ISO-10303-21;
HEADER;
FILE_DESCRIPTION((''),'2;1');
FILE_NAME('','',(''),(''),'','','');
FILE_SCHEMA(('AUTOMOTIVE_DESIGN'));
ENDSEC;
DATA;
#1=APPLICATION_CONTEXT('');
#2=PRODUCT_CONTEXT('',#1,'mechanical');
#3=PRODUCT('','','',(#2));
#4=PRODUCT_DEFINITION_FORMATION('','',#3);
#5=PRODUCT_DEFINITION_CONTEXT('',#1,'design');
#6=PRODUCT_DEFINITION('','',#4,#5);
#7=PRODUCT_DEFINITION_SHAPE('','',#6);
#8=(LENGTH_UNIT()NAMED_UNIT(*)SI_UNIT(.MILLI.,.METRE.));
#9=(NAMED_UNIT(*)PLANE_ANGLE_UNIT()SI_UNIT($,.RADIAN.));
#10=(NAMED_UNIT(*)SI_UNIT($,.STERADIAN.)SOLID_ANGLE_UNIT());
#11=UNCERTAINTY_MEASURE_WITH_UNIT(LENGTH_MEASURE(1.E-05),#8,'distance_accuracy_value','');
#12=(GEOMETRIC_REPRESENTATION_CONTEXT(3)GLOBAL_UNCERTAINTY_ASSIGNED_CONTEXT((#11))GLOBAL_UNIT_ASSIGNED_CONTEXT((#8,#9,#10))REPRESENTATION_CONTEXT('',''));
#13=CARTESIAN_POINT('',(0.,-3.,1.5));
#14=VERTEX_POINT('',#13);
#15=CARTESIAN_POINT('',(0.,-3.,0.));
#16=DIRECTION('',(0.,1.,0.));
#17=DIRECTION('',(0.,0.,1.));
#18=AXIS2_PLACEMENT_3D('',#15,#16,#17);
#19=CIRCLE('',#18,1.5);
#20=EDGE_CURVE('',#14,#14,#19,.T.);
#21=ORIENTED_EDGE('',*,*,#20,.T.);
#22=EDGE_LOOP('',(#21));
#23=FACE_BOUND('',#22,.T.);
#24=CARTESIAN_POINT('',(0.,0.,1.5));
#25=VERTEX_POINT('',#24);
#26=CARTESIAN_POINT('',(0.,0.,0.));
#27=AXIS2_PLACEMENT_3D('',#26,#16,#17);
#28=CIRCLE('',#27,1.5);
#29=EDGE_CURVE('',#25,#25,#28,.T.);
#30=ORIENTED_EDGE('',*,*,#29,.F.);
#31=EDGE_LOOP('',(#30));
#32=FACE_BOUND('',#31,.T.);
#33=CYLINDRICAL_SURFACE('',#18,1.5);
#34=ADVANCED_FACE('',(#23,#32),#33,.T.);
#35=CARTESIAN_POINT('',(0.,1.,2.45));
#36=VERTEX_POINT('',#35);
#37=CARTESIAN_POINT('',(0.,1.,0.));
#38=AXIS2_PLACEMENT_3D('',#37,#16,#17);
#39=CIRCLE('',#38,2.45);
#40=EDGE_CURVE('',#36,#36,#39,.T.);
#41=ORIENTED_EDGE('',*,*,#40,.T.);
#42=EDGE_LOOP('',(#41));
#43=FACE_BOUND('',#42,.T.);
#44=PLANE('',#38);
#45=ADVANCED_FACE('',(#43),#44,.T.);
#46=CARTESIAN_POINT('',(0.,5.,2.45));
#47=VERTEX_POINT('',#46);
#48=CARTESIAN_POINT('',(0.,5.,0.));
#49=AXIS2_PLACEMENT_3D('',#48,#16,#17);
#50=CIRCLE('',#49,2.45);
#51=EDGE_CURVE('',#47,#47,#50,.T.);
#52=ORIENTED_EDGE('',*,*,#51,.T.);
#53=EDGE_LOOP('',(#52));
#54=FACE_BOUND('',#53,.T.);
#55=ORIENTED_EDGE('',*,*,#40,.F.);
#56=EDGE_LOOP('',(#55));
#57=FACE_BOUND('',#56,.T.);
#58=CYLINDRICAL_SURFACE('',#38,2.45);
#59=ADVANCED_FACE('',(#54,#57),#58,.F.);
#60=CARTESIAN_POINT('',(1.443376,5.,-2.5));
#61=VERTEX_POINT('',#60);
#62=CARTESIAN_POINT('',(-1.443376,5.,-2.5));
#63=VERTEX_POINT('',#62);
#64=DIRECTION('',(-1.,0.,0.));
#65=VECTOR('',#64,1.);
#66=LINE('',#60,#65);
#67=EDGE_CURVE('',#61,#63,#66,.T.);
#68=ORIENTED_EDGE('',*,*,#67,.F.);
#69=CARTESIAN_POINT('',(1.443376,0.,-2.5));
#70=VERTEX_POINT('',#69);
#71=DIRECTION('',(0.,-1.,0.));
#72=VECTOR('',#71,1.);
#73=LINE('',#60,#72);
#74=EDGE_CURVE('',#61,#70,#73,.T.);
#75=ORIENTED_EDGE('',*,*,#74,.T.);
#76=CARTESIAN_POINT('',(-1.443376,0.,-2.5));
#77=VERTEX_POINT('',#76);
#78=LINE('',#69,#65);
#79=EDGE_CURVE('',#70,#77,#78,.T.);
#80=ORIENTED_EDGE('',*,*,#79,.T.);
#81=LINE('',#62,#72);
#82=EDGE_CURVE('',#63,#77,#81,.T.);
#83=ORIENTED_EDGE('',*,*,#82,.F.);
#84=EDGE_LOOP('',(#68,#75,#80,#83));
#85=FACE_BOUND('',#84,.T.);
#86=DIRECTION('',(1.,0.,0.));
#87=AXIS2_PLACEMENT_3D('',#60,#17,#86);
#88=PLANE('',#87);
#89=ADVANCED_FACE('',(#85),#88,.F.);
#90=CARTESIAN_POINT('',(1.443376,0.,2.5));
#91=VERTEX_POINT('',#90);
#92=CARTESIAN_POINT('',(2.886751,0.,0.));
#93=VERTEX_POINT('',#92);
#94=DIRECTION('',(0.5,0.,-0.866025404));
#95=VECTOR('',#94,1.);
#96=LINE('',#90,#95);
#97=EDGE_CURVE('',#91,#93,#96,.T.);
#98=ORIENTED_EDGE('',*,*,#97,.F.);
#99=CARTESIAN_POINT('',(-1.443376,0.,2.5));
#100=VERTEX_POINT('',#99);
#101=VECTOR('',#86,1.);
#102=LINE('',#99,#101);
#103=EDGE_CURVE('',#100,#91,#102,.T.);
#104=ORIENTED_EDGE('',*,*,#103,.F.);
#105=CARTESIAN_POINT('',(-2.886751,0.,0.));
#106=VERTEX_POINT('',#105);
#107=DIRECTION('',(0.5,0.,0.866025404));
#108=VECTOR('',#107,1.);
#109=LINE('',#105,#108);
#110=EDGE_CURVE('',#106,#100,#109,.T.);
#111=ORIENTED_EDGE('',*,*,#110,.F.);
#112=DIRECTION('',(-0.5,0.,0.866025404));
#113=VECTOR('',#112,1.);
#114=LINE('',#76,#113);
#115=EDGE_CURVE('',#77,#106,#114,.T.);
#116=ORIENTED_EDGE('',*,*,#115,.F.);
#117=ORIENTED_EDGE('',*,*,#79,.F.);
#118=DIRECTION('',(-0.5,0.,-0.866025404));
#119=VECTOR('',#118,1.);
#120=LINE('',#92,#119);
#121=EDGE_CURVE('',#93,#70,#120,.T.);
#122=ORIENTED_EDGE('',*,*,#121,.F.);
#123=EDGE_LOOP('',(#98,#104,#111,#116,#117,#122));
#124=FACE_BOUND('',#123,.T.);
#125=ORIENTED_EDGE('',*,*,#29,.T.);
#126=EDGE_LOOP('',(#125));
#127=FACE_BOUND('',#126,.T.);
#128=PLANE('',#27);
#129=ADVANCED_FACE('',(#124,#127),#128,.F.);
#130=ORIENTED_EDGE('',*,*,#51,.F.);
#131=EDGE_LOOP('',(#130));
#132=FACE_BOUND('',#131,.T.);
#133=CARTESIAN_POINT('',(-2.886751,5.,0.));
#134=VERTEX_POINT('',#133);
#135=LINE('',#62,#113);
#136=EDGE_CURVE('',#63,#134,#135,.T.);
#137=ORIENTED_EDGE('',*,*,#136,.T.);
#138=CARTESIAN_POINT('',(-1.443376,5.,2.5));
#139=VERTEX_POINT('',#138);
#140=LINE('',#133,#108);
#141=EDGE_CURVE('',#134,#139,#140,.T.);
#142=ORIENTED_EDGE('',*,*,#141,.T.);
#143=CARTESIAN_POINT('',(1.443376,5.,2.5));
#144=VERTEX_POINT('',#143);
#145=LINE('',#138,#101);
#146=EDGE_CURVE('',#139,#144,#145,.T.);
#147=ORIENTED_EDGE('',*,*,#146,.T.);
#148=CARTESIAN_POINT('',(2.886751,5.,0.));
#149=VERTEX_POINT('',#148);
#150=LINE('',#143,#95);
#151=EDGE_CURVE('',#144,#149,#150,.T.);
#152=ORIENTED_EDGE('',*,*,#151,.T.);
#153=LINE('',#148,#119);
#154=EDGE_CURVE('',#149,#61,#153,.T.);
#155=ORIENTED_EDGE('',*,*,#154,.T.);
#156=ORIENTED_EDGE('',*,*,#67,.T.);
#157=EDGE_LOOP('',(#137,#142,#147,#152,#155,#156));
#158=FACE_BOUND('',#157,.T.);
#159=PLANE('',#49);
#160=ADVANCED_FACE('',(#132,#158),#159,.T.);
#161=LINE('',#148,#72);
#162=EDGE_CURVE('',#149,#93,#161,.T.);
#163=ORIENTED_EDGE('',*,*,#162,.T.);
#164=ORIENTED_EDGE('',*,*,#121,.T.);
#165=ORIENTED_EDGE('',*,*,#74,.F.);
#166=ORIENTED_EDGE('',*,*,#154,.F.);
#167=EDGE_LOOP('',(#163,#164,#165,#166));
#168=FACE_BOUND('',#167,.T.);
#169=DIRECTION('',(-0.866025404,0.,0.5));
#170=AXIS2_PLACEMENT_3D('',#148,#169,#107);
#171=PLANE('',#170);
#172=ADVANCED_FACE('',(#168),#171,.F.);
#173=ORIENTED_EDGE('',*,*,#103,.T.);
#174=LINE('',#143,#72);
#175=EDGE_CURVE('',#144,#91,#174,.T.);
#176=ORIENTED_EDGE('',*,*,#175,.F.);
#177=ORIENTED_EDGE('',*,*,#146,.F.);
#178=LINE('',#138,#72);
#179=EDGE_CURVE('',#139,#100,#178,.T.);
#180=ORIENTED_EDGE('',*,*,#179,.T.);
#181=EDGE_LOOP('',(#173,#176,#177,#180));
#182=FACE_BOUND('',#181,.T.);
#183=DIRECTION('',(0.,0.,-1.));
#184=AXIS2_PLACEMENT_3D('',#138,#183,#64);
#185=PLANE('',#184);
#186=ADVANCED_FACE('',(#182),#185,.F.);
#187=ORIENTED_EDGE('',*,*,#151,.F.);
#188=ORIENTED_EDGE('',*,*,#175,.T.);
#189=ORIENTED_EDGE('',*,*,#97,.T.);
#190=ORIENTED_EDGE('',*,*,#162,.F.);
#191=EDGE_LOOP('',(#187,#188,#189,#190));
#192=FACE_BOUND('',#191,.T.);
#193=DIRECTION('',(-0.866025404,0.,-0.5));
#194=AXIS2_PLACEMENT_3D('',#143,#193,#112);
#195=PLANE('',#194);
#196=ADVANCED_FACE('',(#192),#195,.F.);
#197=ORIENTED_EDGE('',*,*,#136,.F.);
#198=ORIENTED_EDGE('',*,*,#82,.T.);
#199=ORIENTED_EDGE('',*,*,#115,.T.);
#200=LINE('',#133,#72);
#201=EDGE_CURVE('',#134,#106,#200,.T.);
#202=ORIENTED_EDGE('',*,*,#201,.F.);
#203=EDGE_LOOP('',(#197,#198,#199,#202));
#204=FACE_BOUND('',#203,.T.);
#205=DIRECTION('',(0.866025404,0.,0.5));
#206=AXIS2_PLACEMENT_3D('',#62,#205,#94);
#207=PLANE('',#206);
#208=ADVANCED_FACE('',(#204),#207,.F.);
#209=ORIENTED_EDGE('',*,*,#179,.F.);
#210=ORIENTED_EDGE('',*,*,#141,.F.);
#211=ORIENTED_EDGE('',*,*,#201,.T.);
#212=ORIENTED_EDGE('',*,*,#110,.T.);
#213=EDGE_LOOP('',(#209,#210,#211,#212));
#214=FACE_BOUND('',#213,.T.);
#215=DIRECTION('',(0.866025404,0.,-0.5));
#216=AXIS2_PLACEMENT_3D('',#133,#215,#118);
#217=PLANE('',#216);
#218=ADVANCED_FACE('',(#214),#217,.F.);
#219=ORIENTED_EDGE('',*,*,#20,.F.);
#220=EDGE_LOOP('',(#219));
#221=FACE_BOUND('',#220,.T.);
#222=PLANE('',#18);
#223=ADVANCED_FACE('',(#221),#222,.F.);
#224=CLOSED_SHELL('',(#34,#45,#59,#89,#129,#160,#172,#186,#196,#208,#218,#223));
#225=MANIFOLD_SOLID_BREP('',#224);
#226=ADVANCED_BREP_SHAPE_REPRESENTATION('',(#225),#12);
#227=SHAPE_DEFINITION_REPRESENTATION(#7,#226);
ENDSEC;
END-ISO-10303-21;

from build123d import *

# Parameters (mm, degrees)
BOSS_EXTRUDE1_DEPTH = 5
CUT_EXTRUDE1_START  = 5
SKETCH2_R           = 2.45
CUT_EXTRUDE1_DEPTH  = 4
SKETCH3_R           = 1.5
BOSS_EXTRUDE2_DEPTH = 3


with BuildPart() as part:
    # Sketch1 → Boss-Extrude1 (new body)
    with BuildSketch(Plane(origin=(0, 0, 0), x_dir=(1, 0, 0), z_dir=(0, 1, 0))):
        Polygon((1.443375673, -2.5), (2.886751346, 0), (1.443375673, 2.5), (-1.443375673, 2.5), (-2.886751346, 0), (-1.443375673, -2.5), align=None)
    extrude(amount=BOSS_EXTRUDE1_DEPTH)

    # Sketch2 → Cut-Extrude1 (cut)
    with BuildSketch(Plane(origin=(0, 0, 0), x_dir=(1, 0, 0), z_dir=(0, 1, 0)).offset(CUT_EXTRUDE1_START)):
        with Locations(Location((0, 0, 0), (0, 0, 270))):
            Circle(SKETCH2_R)
    extrude(amount=-CUT_EXTRUDE1_DEPTH, mode=Mode.SUBTRACT)

    # Sketch3 → Boss-Extrude2 (add)
    with BuildSketch(Plane(origin=(0, 0, 0), x_dir=(1, 0, 0), z_dir=(0, 1, 0))):
        with Locations(Location((0, 0, 0), (0, 0, 270))):
            Circle(SKETCH3_R)
    extrude(amount=-BOSS_EXTRUDE2_DEPTH)


solid = part.part
